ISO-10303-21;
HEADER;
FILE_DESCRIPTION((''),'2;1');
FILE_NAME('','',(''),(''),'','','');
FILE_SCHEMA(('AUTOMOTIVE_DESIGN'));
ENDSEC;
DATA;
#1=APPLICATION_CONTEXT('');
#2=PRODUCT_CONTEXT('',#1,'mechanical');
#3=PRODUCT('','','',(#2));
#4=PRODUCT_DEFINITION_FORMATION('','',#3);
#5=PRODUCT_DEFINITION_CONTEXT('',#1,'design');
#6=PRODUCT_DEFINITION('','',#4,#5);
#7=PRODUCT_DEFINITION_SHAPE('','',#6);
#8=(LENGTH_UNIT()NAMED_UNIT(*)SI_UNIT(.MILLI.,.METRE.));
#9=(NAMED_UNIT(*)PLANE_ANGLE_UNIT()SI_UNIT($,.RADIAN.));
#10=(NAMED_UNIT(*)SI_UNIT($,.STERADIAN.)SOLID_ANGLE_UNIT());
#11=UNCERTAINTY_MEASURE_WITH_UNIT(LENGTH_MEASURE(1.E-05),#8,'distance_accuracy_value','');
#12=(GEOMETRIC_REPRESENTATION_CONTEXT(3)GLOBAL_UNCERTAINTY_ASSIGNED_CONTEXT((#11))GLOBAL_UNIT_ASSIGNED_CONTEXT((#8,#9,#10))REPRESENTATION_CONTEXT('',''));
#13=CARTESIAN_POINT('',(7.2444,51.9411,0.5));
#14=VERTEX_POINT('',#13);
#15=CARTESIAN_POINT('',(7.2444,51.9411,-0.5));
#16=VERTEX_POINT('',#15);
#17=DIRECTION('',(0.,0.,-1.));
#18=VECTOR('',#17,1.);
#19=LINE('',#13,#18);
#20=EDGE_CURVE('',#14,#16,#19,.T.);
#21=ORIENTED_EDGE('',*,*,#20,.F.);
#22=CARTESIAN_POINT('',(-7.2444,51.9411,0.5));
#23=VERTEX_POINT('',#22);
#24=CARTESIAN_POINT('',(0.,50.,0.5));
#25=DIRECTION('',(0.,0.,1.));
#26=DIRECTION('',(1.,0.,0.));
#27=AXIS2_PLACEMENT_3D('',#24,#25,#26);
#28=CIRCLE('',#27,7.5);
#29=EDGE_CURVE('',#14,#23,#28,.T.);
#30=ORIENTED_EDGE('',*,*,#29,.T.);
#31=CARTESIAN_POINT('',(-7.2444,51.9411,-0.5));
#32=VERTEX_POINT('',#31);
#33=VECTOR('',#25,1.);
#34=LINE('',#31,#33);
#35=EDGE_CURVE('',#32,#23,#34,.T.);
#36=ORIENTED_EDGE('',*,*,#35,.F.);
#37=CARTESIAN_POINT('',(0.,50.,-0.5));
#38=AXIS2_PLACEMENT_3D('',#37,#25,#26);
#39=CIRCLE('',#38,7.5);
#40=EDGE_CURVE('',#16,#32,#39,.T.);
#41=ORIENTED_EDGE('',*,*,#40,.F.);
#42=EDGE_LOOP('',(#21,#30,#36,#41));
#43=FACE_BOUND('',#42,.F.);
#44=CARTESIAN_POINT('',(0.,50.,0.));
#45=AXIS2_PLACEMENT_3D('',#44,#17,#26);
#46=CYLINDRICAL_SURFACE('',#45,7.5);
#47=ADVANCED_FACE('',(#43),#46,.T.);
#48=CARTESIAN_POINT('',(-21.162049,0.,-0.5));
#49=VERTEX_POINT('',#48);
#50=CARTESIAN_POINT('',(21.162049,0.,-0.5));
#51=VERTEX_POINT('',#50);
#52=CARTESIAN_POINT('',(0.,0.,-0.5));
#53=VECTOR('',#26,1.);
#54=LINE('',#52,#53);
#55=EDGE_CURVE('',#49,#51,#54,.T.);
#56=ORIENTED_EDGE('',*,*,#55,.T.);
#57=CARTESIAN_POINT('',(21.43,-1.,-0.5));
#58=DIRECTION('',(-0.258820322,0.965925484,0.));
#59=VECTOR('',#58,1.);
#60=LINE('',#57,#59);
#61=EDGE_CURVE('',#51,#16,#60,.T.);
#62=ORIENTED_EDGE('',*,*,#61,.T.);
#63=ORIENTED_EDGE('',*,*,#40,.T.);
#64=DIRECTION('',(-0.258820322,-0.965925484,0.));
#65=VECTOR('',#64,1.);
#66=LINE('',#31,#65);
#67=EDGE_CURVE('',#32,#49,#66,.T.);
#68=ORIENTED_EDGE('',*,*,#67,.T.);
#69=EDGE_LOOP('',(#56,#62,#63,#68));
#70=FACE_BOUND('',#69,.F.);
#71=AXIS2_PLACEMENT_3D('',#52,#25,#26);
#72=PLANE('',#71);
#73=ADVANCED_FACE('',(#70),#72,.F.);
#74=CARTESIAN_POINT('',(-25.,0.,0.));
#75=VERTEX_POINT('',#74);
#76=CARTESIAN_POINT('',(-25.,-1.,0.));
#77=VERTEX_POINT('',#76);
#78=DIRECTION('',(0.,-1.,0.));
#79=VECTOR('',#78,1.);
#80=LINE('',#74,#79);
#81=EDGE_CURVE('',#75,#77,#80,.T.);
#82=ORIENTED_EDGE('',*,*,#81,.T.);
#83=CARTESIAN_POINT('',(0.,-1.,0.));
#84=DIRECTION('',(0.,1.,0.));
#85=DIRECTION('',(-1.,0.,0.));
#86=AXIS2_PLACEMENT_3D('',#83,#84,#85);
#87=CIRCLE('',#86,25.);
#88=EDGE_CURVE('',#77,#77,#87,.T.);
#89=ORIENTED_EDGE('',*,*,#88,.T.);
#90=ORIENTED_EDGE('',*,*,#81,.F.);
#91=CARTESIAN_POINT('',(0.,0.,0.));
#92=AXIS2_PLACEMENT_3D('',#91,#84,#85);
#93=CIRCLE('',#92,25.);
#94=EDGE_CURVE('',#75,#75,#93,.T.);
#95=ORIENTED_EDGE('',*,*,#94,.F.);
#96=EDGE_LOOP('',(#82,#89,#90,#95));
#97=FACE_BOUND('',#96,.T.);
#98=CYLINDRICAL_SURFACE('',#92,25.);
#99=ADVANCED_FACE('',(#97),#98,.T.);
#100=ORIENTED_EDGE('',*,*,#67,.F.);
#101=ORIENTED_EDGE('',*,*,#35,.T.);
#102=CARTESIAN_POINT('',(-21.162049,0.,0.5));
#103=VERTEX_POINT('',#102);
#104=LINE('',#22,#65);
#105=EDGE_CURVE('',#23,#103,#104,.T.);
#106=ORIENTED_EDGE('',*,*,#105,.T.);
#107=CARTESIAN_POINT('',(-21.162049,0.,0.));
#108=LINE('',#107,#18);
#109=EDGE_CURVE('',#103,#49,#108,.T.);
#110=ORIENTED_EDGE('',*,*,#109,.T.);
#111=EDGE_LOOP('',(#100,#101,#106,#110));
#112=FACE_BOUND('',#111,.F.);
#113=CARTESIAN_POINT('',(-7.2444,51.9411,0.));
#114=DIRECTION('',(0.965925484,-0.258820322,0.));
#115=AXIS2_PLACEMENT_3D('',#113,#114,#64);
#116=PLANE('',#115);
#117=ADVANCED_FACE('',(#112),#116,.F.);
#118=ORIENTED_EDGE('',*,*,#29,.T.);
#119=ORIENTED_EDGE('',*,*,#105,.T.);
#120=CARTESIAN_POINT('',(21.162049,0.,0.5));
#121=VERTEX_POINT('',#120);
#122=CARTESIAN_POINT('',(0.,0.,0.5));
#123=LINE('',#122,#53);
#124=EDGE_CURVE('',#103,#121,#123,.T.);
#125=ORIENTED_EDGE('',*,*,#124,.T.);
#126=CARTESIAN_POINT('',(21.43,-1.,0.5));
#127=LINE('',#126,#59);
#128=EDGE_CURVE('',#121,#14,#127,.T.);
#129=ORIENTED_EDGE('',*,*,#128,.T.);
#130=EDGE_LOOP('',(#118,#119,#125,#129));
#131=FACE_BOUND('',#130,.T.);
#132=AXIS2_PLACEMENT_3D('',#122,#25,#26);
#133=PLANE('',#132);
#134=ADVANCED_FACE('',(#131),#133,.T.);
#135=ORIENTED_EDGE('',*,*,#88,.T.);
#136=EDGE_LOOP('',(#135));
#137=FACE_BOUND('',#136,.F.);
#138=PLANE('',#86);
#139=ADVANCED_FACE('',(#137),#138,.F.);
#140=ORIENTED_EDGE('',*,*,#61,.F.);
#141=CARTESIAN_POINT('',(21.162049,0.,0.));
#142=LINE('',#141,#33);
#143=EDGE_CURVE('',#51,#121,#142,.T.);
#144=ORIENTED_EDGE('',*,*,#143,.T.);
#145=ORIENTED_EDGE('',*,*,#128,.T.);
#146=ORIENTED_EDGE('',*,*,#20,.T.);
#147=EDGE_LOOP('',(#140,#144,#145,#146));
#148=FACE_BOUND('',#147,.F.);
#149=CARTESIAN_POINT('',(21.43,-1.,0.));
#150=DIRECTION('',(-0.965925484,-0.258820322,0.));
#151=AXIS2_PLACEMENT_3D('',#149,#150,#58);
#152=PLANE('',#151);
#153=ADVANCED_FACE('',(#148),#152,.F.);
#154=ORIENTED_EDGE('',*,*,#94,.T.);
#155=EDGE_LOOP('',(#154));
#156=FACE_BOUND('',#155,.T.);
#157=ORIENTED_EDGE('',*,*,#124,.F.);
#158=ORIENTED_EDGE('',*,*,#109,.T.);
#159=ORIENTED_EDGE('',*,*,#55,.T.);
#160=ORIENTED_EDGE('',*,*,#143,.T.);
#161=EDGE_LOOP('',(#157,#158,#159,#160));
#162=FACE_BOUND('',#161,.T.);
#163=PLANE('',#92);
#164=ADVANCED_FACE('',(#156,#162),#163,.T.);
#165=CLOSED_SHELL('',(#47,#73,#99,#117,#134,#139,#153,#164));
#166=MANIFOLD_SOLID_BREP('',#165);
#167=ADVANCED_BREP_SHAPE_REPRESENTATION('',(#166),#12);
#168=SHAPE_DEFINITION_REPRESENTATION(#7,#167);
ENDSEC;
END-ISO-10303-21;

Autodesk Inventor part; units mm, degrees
ref_plane "YZ Plane" through (0, 0, 0) normal (1, 0, 0) x (0, 1, 0)
ref_plane "XZ Plane" through (0, 0, 0) normal (0, 1, 0) x (-1, 0, 0)
ref_plane "XY Plane" through (0, 0, 0) normal (0, 0, 1) x (1, 0, 0)
sketch "草图1" plane through (0, 0, 0) normal (0, 1, 0) x (-1, 0, 0)
  circle A0 centre (0, 0) radius 25
  dimension "d0" = 50
sketch "草图2" plane through (0, 0, 0) normal (0, 0, 1) x (1, 0, 0)
  line L0 (0, 0) -> (0, 50)
  circle A0 centre (0, 50) radius 7.5
  line L1 (-7.2444, 51.9411) -> (-21.43, -1)
  line L2 (-21.43, -1) -> (21.43, -1)
  line L3 (21.43, -1) -> (7.2444, 51.9411)
  line L4 (10, -1) -> (-10, -1)
  dimension "d1" = 50
  dimension "d2" = 15
  dimension "d7" = 30
extrude "拉伸1" add sketch "草图1" against normal blind 1
extrude "拉伸2" add sketch "草图2" along normal mid plane 1
properties part number "大yaw"
